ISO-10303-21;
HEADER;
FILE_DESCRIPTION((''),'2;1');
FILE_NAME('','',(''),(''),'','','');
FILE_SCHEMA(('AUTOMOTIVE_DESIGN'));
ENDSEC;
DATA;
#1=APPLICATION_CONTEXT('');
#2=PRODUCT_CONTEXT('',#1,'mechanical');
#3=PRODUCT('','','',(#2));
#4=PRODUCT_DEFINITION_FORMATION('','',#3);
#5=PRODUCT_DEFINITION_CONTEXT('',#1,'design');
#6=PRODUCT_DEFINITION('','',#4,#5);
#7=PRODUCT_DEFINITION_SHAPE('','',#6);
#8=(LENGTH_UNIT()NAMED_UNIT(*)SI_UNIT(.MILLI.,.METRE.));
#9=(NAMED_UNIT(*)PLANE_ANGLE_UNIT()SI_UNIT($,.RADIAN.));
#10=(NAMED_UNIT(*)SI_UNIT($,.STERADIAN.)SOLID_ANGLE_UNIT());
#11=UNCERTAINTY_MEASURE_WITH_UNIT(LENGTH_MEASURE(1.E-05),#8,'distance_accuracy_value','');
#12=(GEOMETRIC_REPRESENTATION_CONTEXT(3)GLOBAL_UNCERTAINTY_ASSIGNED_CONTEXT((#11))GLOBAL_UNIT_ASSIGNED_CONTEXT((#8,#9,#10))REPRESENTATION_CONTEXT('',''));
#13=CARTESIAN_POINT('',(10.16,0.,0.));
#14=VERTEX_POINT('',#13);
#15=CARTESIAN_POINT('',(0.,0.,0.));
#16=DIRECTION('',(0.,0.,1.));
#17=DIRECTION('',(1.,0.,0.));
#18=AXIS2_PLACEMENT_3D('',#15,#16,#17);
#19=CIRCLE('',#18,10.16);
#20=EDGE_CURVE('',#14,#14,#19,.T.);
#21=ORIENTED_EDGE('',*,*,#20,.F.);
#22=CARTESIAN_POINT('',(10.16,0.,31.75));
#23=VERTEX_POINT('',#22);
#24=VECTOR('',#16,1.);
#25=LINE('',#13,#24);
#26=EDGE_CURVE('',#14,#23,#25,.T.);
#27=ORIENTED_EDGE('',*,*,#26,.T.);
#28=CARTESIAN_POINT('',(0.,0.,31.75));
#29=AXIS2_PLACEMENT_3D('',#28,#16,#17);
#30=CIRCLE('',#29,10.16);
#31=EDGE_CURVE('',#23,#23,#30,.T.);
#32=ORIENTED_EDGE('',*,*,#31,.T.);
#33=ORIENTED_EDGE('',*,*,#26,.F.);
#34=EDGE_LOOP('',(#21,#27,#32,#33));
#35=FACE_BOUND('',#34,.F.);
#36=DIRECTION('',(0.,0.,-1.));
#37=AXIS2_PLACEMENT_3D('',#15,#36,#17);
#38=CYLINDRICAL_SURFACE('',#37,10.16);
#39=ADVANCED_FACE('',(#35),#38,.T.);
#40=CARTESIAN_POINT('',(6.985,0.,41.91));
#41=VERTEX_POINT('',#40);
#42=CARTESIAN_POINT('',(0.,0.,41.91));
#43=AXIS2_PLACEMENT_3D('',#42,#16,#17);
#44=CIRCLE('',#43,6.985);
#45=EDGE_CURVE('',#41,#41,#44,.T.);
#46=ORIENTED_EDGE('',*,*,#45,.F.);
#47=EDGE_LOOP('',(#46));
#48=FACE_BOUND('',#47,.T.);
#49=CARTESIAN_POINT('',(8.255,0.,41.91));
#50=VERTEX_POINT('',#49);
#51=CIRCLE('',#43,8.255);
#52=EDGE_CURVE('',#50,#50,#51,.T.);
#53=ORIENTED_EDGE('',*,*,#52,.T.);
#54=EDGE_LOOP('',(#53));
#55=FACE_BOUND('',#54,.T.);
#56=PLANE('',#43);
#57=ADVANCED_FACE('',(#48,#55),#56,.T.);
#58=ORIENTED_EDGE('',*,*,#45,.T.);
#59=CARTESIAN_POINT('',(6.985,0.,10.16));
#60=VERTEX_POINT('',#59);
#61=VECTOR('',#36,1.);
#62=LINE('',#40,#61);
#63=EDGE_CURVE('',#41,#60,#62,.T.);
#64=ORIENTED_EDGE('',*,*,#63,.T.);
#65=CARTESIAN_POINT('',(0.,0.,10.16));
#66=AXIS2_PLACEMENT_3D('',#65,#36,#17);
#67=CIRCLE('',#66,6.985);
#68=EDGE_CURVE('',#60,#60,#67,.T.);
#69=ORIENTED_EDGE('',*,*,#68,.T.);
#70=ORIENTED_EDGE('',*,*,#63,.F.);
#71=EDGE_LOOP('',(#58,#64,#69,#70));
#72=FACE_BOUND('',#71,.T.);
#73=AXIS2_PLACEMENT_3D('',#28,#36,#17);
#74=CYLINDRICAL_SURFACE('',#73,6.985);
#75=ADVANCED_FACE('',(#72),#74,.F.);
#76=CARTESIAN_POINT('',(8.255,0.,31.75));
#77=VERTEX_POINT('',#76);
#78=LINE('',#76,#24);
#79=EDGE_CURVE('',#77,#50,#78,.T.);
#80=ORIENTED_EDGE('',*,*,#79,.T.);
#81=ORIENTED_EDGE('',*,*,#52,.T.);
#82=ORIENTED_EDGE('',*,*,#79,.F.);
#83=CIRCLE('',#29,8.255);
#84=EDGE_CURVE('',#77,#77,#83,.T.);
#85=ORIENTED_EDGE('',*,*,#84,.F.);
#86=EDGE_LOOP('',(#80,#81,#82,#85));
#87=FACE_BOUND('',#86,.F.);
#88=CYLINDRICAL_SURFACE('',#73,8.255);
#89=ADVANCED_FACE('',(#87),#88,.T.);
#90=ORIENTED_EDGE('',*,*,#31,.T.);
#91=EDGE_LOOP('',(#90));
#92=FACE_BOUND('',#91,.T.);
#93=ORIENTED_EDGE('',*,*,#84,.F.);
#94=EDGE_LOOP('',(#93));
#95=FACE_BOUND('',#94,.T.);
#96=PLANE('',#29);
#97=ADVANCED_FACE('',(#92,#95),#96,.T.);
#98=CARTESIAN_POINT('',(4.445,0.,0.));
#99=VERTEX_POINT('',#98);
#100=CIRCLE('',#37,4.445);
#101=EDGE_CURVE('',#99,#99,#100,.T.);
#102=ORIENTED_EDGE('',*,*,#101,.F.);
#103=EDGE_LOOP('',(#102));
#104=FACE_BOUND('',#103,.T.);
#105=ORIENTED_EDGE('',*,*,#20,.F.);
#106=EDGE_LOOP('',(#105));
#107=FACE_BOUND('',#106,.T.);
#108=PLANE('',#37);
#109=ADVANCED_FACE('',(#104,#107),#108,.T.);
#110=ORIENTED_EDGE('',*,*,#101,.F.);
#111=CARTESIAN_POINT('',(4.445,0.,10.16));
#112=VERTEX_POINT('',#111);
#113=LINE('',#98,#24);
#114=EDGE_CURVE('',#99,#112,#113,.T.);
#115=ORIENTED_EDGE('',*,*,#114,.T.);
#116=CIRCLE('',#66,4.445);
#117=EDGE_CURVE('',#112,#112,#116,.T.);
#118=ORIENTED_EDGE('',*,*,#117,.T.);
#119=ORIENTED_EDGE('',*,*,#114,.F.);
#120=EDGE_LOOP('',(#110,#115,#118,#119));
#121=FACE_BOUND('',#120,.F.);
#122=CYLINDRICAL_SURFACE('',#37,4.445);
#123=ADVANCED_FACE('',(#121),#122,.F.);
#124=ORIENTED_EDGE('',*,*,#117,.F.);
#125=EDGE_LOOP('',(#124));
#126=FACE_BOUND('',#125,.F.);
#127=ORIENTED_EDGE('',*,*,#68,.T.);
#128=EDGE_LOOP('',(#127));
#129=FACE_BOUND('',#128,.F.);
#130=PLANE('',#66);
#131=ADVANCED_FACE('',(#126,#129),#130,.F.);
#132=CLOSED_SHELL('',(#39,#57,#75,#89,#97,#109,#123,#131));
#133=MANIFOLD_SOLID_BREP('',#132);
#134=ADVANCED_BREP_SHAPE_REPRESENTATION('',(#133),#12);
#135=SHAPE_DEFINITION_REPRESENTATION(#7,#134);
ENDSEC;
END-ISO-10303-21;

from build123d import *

# Parameters (mm, degrees)
F0_R     = 10.16
F0_R_2   = 6.985
F1_DEPTH = 31.75
F2_R     = 8.255
F2_R_2   = 6.985
F3_DEPTH = 10.16
F4_R     = 6.985
F4_R_2   = 4.445
F5_DEPTH = 10.16


with BuildPart() as f1:
    # F0 (on Top) → F1 (new body)
    with BuildSketch(Plane.XY):
        Circle(F0_R)
        Circle(F0_R_2, mode=Mode.SUBTRACT)
    extrude(amount=F1_DEPTH)

    # F2 (on face) → F3 (join)
    with BuildSketch(Plane.XY.offset(31.75)):
        Circle(F2_R)
        Circle(F2_R_2, mode=Mode.SUBTRACT)
    extrude(amount=F3_DEPTH)

    # F4 (on face) → F5 (join)
    with BuildSketch(Plane(origin=(0, 0, 0), x_dir=(1, 0, 0), z_dir=(0, 0, -1))):
        Circle(F4_R)
        Circle(F4_R_2, mode=Mode.SUBTRACT)
    extrude(amount=-F5_DEPTH)


solid = f1.part
